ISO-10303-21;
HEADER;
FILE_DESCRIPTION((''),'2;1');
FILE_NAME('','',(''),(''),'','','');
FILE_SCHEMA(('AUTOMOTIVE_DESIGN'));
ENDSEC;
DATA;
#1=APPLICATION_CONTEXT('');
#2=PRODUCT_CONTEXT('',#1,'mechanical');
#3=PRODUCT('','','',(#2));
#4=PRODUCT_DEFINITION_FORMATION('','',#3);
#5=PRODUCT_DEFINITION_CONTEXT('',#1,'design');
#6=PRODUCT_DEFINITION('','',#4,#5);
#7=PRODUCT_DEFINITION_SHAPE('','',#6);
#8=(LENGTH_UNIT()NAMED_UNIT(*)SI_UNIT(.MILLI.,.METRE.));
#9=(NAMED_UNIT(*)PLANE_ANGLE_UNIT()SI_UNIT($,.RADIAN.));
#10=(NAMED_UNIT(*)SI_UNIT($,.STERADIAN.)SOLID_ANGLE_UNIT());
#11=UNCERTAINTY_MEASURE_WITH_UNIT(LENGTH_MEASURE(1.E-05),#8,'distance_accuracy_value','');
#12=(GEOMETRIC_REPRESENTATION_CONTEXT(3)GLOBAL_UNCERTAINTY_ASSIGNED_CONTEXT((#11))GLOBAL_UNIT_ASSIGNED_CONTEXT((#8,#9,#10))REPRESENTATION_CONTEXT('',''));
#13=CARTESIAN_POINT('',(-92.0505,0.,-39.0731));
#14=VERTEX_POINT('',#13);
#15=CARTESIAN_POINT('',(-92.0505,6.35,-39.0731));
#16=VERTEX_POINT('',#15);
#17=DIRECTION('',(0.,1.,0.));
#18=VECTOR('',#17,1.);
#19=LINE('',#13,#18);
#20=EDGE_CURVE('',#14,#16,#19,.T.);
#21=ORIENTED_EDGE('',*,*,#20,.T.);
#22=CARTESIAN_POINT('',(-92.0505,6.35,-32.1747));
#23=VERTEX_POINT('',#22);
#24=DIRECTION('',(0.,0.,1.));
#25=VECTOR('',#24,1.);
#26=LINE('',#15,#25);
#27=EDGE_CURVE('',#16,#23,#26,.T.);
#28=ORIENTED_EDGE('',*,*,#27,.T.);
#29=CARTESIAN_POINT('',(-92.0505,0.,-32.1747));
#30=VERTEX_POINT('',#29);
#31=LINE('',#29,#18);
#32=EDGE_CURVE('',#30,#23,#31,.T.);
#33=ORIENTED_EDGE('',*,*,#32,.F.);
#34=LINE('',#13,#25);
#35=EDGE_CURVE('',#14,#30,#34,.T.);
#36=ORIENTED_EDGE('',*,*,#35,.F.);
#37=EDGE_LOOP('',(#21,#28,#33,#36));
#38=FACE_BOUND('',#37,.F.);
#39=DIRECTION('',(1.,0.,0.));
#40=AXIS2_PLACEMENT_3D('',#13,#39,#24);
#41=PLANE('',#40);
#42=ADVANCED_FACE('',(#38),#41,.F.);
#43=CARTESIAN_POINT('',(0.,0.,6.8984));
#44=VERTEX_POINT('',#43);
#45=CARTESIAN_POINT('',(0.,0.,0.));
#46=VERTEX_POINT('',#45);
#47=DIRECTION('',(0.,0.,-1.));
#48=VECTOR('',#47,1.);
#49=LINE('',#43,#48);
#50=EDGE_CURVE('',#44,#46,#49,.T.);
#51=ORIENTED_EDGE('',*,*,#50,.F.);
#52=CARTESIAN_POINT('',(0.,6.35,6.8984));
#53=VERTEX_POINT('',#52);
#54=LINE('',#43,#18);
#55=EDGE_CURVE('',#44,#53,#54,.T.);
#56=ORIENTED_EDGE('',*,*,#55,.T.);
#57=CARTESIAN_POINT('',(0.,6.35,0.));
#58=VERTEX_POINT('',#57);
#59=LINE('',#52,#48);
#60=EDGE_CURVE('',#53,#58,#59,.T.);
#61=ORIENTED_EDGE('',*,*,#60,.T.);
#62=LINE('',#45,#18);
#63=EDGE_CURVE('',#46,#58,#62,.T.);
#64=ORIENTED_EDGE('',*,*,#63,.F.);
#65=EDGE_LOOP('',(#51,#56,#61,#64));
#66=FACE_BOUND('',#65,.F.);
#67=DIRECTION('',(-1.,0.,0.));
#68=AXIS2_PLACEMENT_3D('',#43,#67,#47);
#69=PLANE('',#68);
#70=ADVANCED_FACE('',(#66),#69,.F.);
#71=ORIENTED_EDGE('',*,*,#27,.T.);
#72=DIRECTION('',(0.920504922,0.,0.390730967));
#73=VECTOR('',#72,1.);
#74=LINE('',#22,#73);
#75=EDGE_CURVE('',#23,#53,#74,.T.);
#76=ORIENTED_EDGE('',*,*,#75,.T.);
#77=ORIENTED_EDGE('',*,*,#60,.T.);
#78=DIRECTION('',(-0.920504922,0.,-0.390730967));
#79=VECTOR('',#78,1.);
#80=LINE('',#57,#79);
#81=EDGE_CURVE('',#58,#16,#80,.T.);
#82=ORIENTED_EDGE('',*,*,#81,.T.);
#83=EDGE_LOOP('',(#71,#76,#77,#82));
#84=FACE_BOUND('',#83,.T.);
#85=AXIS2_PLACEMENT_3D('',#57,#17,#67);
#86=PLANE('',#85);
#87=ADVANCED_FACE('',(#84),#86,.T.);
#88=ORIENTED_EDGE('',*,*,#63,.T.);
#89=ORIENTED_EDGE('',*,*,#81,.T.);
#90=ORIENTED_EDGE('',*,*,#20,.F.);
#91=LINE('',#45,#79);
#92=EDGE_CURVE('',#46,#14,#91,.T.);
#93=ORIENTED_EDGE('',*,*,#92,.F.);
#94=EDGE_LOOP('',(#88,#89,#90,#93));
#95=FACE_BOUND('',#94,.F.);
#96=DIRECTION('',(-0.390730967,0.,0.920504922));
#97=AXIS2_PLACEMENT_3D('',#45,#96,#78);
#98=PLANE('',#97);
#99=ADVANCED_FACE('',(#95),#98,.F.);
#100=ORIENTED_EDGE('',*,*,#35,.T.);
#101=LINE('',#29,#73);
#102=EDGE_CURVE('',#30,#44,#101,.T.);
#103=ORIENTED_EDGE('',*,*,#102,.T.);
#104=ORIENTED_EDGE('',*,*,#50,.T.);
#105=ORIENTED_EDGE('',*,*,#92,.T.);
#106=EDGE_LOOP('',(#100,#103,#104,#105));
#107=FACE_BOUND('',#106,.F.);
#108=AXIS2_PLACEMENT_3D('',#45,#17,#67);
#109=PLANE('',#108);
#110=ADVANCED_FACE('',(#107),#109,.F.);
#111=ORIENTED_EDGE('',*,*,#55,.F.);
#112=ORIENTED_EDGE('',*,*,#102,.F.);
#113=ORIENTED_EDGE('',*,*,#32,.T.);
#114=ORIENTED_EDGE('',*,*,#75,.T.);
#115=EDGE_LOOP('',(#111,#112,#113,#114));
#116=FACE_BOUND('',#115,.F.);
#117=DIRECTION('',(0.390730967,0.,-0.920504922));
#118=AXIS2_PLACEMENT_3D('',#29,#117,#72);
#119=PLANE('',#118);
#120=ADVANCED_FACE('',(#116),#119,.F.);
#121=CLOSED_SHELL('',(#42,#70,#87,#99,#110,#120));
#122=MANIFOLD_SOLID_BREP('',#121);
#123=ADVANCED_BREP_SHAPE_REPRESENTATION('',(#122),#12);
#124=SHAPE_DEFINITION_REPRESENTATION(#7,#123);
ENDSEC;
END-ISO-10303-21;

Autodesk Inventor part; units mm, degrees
ref_plane "YZ Plane" through (0, 0, 0) normal (1, 0, 0) x (0, 1, 0)
ref_plane "XZ Plane" through (0, 0, 0) normal (0, 1, 0) x (-1, 0, 0)
ref_plane "XY Plane" through (0, 0, 0) normal (0, 0, 1) x (1, 0, 0)
sketch "Sketch1" plane through (0, 0, 0) normal (0, 1, 0) x (-1, 0, 0)
  line L0 (0, 0) -> (92.0505, -39.0731)
  line L1 (0, 0) -> (100, 0) construction
  line L2 (92.0505, -39.0731) -> (92.0505, -32.1747)
  line L3 (92.0505, -32.1747) -> (0, 6.8984)
  line L4 (0, 6.8984) -> (0, 0)
  dimension "d0" = 100
  dimension "d1" = 23
extrude "Extrusion1" add sketch "Sketch1" along normal blind 6.35
properties part number "UpperInnerDiagonal"
